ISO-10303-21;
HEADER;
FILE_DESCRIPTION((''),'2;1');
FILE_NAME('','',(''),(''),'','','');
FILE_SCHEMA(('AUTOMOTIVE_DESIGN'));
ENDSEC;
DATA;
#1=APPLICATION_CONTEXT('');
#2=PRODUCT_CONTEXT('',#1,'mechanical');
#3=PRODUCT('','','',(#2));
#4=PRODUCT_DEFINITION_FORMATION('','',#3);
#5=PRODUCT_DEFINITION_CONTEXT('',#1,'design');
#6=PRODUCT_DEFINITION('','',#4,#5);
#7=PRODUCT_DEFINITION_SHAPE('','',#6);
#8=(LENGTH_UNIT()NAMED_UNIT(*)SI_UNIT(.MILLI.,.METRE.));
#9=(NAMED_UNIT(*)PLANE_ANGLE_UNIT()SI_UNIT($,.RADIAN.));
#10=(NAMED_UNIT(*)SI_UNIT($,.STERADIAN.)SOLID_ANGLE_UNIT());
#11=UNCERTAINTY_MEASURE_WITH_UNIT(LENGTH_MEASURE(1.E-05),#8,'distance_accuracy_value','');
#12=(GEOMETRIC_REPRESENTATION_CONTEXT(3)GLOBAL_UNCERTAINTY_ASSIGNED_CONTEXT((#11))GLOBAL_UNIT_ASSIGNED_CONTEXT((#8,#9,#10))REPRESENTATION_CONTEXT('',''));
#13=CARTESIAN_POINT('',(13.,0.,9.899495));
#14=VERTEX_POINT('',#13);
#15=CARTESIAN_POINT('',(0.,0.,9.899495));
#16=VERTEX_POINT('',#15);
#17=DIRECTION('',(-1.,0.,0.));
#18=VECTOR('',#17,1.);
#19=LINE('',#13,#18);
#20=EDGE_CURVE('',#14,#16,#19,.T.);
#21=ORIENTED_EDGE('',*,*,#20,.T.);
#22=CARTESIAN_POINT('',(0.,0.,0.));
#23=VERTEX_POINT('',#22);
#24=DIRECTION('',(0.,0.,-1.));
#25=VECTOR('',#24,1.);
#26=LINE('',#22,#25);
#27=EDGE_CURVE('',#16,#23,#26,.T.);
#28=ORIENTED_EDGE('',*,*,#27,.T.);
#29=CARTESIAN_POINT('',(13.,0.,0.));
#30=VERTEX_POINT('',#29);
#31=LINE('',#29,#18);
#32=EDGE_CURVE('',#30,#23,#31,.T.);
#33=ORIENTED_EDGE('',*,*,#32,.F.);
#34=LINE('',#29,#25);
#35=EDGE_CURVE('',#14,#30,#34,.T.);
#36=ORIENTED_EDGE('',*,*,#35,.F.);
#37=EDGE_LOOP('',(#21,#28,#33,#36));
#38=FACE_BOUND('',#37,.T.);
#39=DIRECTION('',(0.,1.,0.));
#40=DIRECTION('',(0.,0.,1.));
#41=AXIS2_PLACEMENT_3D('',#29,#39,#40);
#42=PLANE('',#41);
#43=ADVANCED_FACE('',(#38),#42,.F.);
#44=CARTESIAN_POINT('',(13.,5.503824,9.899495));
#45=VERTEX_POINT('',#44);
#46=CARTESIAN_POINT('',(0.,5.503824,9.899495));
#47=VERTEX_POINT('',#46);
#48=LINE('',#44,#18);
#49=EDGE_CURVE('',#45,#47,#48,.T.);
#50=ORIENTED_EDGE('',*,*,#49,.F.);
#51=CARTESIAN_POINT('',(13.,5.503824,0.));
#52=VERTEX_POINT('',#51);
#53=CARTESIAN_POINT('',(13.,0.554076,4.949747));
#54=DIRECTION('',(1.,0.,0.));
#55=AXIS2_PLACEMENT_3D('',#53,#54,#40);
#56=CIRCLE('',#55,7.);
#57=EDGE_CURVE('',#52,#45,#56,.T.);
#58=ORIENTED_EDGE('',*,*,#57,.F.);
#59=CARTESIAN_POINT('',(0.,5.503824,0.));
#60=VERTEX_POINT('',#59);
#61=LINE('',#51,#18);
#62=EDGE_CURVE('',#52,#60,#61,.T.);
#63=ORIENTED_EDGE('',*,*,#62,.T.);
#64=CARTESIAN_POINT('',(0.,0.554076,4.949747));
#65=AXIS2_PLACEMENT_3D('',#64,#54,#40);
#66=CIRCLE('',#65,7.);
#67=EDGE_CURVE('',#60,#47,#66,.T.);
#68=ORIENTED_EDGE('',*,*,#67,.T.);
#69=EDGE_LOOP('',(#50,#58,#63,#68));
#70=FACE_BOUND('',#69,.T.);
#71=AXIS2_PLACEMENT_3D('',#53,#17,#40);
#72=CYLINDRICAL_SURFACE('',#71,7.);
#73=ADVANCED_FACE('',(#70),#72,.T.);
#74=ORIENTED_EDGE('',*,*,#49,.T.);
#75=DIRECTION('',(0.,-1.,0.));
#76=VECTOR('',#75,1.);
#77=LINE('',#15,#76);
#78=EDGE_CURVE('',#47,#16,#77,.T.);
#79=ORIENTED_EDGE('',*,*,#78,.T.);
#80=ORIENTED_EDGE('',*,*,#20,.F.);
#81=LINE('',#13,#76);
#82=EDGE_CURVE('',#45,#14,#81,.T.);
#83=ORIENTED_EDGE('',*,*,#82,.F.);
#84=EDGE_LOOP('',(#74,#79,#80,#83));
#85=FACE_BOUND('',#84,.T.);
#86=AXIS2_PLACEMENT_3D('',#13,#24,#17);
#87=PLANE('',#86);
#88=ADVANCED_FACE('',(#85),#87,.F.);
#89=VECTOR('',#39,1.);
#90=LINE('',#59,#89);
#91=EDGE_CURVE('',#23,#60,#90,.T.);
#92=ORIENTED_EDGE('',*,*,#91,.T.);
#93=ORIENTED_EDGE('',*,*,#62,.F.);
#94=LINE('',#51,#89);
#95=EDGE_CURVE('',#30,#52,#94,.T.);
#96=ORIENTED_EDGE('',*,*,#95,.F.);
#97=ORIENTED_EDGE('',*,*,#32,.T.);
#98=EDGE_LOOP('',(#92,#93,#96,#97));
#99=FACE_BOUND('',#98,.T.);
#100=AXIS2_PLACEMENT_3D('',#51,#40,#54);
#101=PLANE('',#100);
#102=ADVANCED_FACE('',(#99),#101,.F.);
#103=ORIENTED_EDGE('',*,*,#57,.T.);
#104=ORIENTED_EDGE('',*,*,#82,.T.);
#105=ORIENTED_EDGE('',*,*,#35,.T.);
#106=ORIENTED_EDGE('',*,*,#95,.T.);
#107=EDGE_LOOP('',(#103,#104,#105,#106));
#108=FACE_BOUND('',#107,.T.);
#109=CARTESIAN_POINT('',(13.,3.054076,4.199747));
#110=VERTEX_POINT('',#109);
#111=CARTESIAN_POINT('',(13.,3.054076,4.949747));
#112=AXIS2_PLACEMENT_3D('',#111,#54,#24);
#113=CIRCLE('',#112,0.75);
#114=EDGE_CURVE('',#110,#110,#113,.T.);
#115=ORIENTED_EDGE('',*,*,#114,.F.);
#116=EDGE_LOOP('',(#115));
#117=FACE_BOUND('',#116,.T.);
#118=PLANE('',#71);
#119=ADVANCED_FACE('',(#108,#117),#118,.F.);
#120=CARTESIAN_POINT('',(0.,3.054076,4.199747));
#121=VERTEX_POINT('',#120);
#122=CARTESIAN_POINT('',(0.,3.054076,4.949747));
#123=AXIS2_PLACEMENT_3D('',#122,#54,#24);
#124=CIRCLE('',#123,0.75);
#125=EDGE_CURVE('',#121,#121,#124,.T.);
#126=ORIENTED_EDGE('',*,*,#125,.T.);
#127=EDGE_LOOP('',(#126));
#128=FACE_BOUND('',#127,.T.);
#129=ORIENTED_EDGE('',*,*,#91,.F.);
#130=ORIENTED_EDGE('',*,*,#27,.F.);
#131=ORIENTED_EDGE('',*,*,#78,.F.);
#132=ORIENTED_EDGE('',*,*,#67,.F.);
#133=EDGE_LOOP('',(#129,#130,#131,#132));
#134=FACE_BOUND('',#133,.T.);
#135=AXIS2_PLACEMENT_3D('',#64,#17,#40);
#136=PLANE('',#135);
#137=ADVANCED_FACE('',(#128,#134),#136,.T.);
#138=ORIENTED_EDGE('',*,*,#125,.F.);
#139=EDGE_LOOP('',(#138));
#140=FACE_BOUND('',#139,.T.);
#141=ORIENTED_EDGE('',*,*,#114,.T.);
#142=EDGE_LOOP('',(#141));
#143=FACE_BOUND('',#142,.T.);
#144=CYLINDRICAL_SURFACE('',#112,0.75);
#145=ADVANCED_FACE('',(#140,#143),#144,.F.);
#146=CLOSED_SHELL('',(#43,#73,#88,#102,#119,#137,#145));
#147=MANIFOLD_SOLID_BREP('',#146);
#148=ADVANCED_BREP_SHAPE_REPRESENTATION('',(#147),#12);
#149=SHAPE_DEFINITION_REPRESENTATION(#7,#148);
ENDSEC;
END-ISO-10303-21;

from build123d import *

# Parameters (mm, degrees)
BOSS_EXTRUDE1_DEPTH   = 13
F_1_5MM_DOWEL_SLOT1_D = 1.5


with BuildPart() as part:
    # Sketch1 → Boss-Extrude1 (new body)
    with BuildSketch(Plane(origin=(0, 0, 0), x_dir=(0, 0, -1), z_dir=(1, 0, 0))):
        with BuildLine():
            Line((0, 0), (-9.899494937, 0))
            Line((-9.899494937, 0), (-9.899494937, 5.503823677))
            ThreePointArc((-9.899494937, 5.503823677), (-4.949747468, 7.554076209), (0, 5.503823677))
            Line((0, 5.503823677), (0, 0))
        make_face()
    extrude(amount=BOSS_EXTRUDE1_DEPTH)

    # Ø1.5mm Dowel Slot1 (through all)
    with Locations(Plane(origin=(13, 0, 0), x_dir=(0, 0, -1), z_dir=(1, 0, 0))):
        with Locations((-4.949747468, 3.054076209)):
            Hole(F_1_5MM_DOWEL_SLOT1_D / 2)


solid = part.part
